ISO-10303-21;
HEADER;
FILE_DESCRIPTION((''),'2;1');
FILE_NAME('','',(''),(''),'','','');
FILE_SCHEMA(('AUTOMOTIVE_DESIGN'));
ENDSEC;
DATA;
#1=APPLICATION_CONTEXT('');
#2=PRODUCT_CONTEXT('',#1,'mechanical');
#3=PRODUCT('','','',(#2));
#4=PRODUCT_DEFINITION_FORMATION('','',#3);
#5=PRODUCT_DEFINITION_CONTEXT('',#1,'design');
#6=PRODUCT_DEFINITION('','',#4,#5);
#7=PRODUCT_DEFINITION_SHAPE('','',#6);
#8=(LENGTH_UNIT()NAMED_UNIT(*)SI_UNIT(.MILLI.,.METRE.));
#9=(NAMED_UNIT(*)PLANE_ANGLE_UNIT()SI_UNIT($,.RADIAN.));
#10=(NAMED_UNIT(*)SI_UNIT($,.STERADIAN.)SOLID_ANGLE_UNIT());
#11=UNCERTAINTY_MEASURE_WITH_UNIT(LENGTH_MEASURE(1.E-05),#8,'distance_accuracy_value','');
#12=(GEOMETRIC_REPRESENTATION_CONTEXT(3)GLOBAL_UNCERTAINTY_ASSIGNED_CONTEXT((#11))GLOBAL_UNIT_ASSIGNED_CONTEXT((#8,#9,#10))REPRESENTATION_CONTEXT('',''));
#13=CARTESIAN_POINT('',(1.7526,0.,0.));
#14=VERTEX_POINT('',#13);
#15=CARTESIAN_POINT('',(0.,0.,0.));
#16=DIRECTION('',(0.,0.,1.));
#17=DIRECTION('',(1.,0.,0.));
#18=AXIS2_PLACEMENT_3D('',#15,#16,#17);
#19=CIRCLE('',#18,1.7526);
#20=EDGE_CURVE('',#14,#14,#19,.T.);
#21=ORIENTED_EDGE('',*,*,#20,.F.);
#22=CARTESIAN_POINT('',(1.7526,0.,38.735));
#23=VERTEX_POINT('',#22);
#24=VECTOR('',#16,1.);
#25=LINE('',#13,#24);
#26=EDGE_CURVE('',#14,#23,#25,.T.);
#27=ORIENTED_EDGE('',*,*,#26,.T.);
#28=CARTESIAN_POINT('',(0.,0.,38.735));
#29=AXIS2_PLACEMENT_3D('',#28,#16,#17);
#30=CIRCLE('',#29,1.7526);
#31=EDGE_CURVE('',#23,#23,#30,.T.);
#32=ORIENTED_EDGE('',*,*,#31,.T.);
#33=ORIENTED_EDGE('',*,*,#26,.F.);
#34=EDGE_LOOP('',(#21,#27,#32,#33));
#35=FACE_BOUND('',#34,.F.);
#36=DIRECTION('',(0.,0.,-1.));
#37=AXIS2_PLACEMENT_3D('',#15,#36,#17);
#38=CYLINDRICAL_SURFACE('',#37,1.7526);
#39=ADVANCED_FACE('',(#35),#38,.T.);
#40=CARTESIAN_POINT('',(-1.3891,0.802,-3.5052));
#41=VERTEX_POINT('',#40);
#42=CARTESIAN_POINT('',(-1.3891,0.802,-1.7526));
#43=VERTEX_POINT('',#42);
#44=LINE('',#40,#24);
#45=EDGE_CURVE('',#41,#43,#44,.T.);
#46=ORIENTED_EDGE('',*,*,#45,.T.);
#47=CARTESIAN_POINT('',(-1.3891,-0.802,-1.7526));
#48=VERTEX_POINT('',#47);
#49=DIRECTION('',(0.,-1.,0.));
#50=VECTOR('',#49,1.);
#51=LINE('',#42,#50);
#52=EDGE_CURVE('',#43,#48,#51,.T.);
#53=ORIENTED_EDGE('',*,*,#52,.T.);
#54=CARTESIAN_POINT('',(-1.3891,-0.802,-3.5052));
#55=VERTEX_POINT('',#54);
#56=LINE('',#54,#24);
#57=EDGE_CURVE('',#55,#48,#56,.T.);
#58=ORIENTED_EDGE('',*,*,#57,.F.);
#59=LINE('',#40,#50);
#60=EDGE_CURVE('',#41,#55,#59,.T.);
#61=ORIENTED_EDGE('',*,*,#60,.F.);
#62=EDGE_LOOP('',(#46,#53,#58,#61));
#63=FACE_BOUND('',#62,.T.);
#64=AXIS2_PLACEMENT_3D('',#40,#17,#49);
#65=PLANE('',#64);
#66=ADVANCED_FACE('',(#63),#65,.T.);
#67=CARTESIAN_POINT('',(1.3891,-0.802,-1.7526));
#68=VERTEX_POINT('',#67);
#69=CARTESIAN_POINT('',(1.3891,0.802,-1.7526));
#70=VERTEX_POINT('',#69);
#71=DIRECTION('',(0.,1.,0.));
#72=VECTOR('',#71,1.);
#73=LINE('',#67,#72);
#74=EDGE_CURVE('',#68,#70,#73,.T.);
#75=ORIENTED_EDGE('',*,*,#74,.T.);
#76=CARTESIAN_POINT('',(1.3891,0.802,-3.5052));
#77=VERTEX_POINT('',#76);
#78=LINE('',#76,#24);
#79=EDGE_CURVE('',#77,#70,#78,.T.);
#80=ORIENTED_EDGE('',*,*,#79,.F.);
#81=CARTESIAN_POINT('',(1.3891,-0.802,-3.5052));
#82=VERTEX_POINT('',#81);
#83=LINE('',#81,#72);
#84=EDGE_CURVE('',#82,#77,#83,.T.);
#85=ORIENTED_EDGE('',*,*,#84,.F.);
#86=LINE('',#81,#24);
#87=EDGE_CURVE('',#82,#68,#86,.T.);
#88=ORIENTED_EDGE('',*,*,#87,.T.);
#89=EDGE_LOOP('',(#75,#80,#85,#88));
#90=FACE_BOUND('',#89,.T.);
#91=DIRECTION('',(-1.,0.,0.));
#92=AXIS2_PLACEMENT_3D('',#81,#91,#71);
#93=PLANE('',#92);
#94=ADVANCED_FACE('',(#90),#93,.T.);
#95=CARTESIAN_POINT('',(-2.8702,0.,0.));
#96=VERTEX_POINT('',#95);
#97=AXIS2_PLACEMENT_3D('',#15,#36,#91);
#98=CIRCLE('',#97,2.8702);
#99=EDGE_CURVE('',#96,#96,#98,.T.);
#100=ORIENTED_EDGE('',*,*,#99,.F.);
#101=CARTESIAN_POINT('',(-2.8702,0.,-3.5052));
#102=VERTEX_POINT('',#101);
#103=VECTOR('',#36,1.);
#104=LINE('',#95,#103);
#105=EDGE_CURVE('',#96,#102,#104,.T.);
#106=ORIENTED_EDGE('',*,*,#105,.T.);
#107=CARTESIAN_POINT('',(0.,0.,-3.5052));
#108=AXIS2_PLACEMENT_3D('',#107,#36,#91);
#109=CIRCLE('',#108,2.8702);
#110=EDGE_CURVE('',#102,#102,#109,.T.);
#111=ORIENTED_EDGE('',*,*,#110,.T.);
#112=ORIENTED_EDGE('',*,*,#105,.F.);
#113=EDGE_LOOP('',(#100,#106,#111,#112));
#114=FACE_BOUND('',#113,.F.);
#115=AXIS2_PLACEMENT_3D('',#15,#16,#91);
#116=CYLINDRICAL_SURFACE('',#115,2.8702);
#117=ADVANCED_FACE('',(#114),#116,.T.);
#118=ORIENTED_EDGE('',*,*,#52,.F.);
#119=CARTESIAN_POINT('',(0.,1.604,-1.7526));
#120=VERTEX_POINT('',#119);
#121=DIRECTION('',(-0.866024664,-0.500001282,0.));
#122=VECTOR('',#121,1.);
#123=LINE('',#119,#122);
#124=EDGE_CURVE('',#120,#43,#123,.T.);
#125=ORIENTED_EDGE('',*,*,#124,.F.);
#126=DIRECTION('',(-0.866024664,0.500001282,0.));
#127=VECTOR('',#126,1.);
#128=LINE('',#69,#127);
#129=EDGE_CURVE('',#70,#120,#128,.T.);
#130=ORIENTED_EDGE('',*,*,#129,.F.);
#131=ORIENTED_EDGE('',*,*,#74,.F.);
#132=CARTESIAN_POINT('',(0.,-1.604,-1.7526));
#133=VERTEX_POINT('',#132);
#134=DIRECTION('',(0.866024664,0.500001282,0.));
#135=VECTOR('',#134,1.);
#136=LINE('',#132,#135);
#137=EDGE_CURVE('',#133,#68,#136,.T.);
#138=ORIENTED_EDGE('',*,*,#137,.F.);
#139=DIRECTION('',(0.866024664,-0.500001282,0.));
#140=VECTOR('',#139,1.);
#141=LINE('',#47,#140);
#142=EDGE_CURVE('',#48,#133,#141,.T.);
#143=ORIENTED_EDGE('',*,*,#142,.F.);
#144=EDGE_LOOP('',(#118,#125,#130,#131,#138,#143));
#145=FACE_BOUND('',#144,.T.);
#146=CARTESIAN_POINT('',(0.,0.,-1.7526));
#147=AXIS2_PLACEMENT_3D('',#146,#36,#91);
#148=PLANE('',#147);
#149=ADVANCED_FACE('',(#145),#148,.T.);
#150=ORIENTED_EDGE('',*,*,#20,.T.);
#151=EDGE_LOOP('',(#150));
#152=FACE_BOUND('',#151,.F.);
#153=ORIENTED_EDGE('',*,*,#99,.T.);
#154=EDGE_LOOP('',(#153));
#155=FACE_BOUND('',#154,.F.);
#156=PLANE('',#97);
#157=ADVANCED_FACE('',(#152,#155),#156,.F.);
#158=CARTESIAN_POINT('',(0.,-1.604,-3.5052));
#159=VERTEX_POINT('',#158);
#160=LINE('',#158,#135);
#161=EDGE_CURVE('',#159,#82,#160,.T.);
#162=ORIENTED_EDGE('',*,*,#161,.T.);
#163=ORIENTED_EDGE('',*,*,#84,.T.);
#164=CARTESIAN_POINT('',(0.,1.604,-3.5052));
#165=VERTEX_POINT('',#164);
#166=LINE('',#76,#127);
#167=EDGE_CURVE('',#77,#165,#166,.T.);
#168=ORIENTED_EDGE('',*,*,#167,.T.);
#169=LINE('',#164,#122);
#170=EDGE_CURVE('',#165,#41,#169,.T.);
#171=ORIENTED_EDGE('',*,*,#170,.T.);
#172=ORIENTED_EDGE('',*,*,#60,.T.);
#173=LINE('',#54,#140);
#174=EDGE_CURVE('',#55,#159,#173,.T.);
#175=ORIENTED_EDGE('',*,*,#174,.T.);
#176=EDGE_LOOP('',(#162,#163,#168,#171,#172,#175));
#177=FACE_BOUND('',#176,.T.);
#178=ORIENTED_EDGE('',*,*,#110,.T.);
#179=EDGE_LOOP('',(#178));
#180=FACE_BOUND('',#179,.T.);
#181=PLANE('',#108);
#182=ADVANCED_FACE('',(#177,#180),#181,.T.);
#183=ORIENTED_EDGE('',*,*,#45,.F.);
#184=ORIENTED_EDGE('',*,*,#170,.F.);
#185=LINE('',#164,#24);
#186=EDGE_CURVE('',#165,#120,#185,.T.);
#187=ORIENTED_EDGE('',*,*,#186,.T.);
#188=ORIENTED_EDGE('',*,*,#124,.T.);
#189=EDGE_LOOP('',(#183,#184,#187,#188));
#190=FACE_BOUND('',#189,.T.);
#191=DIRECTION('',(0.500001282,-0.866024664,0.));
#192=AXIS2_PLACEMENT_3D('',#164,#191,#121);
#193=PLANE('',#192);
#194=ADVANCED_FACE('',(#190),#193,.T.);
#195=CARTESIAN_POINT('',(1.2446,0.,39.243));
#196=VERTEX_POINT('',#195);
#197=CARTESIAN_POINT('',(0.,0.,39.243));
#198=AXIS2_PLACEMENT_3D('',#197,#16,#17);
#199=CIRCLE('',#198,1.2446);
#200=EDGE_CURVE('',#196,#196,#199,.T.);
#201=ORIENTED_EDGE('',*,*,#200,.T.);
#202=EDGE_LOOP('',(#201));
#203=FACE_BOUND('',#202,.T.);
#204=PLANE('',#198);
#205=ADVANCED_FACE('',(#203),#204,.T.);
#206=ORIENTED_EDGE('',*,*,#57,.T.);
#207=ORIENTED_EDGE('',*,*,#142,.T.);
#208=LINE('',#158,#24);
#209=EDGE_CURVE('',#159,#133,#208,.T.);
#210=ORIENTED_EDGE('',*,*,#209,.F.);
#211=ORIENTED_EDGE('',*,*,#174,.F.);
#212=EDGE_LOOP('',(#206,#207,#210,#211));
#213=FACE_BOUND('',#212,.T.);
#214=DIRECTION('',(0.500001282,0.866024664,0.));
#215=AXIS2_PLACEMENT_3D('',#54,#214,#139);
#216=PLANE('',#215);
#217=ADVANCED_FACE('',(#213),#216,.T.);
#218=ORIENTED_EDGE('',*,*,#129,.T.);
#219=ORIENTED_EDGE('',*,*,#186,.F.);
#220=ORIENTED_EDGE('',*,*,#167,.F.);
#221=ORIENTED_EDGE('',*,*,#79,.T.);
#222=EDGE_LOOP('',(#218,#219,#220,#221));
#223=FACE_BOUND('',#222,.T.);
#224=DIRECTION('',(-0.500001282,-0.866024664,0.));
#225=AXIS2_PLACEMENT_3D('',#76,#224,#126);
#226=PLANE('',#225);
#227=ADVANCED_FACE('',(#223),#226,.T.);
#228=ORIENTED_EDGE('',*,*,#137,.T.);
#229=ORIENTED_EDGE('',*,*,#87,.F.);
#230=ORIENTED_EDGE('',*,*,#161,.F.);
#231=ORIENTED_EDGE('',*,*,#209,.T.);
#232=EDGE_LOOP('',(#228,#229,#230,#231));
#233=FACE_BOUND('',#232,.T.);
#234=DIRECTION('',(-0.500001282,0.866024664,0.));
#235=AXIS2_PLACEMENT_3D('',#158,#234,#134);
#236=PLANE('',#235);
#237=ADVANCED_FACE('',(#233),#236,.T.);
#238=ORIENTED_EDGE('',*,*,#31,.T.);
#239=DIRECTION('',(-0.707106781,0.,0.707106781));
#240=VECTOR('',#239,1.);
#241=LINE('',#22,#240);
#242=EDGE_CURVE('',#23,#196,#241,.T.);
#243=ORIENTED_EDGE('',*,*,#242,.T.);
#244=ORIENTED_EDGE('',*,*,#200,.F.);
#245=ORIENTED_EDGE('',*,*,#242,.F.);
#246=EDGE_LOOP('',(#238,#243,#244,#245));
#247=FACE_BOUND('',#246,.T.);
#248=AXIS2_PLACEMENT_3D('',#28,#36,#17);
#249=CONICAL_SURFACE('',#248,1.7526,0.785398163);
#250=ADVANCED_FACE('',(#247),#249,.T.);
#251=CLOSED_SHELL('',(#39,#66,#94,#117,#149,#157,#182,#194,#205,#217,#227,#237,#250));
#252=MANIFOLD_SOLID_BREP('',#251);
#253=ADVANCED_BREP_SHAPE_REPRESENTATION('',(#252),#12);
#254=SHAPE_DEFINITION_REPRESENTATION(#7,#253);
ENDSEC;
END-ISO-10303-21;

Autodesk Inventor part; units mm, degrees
ref_plane "YZ Plane" through (0, 0, 0) normal (1, 0, 0) x (0, 1, 0)
ref_plane "XZ Plane" through (0, 0, 0) normal (0, 1, 0) x (-1, 0, 0)
ref_plane "XY Plane" through (0, 0, 0) normal (0, 0, 1) x (1, 0, 0)
sketch "Sketch1" plane through (0, 0, 0) normal (0, 0, 1) x (1, 0, 0)
  circle A0 centre (0, 0) radius 1.7526
  dimension "d0" = 3.5052
extrude "Extrusion1" add sketch "Sketch1" along normal blind 39.243
sketch "Sketch2" plane through (0, 0, 0) normal (0, 0, -1) x (-1, 0, 0)
  circle A0 centre (0, 0) radius 1.7526 construction
  circle A1 centre (0, 0) radius 2.8702
  dimension "d3" = 5.7404
extrude "Extrusion2" add sketch "Sketch2" along normal blind 3.5052
sketch "Sketch3" plane through (0, 0, -3.5052) normal (0, 0, -1) x (-1, 0, 0)
  circle A0 centre (0, 0) radius 2.8702 projected
  line L0 (0, 1.604) -> (1.3891, 0.802)
  line L1 (1.3891, 0.802) -> (1.3891, -0.802)
  line L2 (1.3891, -0.802) -> (0, -1.604)
  line L3 (0, -1.604) -> (-1.3891, -0.802)
  line L4 (-1.3891, -0.802) -> (-1.3891, 0.802)
  line L5 (-1.3891, 0.802) -> (0, 1.604)
  dimension "d6" = 2.7781
extrude "Extrusion3" cut sketch "Sketch3" against normal blind 1.7526 contours L0 L1 L2 L3 L4 L5
chamfer "Chamfer1" distance 0.508 angle 45 1 edges at (-1.7526, 0, 39.243)
thread "Thread2" size "6-32 UNC" class "2A" standard "ANSI Unified Screw Threads" length 25.4
properties part number "6-32 SHCS x1750 - .205" material "Stainless Steel"
